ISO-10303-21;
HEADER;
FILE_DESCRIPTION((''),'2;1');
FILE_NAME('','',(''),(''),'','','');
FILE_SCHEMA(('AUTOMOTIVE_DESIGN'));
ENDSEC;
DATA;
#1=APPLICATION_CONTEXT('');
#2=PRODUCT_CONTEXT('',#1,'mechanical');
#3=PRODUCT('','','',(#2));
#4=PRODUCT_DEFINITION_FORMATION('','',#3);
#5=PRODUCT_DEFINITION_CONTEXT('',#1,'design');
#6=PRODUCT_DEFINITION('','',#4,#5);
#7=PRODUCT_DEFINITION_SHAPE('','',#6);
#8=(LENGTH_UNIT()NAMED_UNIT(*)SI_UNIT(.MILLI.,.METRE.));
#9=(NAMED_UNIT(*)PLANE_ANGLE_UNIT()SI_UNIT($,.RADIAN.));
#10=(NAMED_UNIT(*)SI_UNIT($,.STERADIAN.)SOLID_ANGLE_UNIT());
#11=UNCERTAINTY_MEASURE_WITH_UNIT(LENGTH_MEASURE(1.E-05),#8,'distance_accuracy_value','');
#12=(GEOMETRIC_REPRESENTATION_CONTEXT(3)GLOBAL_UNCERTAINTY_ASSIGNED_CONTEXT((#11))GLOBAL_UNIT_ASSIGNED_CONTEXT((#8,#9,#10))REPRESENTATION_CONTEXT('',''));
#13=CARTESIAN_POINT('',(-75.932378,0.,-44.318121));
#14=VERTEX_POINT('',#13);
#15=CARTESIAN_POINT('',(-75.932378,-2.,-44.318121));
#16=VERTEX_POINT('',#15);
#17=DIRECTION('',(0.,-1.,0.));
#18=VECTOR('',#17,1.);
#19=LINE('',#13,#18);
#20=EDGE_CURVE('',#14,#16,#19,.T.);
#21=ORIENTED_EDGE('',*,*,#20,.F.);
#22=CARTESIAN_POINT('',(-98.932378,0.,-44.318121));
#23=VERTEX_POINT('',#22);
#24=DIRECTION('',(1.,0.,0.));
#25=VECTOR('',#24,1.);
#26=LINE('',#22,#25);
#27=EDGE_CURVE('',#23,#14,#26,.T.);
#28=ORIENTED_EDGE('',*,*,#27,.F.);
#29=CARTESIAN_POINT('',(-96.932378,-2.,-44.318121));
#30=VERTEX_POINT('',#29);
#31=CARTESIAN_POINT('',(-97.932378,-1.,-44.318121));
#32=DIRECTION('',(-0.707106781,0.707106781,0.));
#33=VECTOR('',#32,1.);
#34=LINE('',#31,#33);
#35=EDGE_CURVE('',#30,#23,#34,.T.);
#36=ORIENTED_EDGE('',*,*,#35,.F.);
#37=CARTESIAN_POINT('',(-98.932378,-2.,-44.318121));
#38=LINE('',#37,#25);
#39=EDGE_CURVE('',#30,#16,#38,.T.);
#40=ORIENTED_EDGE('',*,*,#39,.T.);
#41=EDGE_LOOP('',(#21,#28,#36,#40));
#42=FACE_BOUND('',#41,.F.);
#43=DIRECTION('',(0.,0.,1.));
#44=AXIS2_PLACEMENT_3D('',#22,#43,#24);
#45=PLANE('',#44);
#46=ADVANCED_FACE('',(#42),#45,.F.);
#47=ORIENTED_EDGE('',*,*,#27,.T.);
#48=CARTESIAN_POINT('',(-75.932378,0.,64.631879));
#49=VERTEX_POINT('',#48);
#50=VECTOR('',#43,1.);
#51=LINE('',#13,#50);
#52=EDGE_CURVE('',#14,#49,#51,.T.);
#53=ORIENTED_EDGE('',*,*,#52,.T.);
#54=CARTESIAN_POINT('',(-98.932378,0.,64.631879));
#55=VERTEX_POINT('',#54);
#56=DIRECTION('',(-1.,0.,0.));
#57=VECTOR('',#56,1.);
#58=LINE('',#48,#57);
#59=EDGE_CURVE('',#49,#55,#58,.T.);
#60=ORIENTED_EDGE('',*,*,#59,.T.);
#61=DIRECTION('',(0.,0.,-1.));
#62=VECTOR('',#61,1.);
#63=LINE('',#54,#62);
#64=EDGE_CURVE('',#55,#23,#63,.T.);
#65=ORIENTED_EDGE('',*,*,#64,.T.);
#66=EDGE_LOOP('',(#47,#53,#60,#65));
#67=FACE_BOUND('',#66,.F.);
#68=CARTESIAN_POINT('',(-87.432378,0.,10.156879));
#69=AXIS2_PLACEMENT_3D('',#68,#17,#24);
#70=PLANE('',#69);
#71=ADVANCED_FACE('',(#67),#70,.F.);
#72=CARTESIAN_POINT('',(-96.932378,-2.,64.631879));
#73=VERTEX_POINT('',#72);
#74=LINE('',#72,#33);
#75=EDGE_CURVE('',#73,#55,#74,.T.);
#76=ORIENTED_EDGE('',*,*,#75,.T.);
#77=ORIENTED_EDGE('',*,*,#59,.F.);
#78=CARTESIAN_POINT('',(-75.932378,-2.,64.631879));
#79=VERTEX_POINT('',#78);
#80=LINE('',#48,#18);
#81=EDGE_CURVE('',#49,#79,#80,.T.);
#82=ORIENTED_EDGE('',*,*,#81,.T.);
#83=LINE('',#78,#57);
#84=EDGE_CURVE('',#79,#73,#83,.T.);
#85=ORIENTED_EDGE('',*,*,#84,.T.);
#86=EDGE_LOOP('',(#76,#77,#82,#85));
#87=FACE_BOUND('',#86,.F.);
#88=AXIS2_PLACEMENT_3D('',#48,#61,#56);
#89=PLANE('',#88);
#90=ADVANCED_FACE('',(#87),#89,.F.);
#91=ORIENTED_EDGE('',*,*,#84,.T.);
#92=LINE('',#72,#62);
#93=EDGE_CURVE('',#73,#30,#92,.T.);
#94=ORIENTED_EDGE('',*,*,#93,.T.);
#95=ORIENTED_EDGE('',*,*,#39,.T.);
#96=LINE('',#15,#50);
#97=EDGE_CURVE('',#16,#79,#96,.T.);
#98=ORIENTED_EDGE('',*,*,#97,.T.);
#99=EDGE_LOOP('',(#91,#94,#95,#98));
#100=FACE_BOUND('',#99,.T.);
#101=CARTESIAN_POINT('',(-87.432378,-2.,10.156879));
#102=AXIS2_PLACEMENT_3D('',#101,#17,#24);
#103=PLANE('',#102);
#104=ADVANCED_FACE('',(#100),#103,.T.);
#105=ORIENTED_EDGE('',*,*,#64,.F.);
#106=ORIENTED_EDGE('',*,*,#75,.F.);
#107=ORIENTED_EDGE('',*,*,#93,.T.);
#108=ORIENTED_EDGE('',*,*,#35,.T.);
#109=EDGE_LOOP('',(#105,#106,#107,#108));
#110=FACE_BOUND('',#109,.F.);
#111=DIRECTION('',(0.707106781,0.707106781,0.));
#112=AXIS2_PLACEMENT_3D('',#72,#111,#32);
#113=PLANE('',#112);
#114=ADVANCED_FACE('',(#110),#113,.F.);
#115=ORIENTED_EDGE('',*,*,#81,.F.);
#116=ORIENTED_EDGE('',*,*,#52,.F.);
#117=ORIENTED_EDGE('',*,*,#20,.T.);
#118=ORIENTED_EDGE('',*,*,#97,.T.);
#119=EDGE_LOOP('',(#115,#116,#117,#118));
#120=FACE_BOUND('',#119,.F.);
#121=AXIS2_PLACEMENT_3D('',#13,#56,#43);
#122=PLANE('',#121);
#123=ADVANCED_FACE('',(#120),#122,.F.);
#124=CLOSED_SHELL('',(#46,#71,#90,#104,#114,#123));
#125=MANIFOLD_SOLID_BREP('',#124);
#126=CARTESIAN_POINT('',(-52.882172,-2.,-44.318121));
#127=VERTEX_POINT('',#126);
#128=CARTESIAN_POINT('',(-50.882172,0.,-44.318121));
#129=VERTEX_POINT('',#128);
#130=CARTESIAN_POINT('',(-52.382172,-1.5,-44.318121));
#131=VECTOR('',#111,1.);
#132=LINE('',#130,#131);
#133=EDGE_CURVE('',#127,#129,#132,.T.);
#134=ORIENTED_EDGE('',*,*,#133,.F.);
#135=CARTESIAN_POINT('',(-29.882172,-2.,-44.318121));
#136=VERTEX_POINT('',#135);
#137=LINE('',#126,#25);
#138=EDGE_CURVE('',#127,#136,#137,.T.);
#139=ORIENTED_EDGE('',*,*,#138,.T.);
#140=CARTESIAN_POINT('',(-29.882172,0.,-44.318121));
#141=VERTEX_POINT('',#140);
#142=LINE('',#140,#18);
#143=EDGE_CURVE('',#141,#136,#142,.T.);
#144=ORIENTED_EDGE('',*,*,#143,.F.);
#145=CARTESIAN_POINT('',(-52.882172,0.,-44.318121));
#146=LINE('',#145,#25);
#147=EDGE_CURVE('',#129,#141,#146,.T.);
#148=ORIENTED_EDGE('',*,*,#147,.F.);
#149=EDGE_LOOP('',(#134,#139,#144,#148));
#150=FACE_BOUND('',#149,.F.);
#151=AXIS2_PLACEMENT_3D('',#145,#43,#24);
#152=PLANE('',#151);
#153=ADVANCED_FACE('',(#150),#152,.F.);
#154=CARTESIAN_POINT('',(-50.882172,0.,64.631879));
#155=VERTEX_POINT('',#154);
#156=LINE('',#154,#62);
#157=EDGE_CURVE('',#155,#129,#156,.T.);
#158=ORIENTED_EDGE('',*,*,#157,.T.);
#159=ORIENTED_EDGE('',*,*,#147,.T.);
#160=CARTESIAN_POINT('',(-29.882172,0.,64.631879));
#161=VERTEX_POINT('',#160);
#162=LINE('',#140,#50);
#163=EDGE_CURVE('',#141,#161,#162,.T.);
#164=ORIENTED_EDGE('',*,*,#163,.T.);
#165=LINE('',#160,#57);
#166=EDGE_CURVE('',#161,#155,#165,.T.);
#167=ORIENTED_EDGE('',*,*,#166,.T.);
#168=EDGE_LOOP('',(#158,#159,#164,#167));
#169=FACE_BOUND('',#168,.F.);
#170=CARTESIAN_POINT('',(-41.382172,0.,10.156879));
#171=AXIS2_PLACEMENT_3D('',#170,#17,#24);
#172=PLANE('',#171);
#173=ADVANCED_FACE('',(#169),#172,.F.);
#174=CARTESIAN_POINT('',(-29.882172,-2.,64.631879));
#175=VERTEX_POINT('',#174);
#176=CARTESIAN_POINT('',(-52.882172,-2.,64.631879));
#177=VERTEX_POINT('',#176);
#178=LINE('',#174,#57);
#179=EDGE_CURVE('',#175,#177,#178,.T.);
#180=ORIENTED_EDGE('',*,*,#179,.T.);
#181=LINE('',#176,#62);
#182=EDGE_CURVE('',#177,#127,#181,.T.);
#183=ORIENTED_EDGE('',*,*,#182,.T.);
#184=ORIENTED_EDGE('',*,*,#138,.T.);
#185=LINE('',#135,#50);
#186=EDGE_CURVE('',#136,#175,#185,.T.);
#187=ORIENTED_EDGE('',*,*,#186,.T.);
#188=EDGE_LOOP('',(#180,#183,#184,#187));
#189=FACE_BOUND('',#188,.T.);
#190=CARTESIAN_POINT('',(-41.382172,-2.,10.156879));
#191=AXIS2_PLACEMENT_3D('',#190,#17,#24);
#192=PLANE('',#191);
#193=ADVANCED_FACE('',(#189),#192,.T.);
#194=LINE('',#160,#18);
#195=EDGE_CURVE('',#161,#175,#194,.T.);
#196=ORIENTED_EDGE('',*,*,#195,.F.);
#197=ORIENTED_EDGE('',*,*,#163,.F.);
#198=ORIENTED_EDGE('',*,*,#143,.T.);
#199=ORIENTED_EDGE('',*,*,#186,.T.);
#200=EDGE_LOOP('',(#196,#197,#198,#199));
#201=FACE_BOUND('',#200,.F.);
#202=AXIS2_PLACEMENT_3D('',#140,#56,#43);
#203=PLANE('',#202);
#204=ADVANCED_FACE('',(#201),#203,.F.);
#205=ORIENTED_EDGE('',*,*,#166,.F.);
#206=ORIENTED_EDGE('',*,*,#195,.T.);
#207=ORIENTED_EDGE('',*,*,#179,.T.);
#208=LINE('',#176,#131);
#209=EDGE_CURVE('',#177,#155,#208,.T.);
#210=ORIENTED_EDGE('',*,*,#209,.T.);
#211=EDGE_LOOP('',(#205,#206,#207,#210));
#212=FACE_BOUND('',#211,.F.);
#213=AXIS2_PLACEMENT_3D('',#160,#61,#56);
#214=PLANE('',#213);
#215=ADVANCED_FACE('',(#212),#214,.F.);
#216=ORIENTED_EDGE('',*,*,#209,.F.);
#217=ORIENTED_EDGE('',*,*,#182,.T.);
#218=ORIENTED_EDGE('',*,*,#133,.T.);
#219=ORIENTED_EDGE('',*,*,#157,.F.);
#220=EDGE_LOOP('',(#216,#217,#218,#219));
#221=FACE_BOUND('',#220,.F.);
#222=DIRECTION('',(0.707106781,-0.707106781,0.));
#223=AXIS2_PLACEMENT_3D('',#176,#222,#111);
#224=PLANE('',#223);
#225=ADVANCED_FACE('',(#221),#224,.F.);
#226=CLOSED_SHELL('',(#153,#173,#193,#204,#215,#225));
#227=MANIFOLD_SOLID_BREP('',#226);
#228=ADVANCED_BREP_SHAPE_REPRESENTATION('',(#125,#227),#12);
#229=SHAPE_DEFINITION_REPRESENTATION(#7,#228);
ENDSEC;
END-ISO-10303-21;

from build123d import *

# Parameters (mm, degrees)
F1_DEPTH = 2
F3_DEPTH = 250
F5_DEPTH = 250


with BuildPart() as f1:
    # F0 (on Front) → F1 (new body)
    with BuildSketch(Plane.XZ):
        Polygon((-77.932378, -44.318121), (-75.932378, -44.318121), (-75.932378, 64.631879), (-98.932378, 64.631879), (-98.932378, -44.318121), align=None)
        Polygon((-52.882172, -44.318121), (-31.882172, -44.318121), (-29.882172, -44.318121), (-29.882172, 64.631879), (-52.882172, 64.631879), align=None)
    extrude(amount=F1_DEPTH)

    # F2 (on face) → F3 (cut)
    with BuildSketch(Plane.XY.offset(64.631879)):
        Polygon((-98.932378, 0), (-98.932378, -2), (-96.932378, -2), align=None)
    extrude(amount=-F3_DEPTH, mode=Mode.SUBTRACT)

    # F4 (on face) → F5 (cut)
    with BuildSketch(Plane.XY.offset(64.631879)):
        Polygon((-52.882172, -2), (-50.882172, 0), (-52.882172, 0), align=None)
    extrude(amount=-F5_DEPTH, mode=Mode.SUBTRACT)


solid = f1.part
